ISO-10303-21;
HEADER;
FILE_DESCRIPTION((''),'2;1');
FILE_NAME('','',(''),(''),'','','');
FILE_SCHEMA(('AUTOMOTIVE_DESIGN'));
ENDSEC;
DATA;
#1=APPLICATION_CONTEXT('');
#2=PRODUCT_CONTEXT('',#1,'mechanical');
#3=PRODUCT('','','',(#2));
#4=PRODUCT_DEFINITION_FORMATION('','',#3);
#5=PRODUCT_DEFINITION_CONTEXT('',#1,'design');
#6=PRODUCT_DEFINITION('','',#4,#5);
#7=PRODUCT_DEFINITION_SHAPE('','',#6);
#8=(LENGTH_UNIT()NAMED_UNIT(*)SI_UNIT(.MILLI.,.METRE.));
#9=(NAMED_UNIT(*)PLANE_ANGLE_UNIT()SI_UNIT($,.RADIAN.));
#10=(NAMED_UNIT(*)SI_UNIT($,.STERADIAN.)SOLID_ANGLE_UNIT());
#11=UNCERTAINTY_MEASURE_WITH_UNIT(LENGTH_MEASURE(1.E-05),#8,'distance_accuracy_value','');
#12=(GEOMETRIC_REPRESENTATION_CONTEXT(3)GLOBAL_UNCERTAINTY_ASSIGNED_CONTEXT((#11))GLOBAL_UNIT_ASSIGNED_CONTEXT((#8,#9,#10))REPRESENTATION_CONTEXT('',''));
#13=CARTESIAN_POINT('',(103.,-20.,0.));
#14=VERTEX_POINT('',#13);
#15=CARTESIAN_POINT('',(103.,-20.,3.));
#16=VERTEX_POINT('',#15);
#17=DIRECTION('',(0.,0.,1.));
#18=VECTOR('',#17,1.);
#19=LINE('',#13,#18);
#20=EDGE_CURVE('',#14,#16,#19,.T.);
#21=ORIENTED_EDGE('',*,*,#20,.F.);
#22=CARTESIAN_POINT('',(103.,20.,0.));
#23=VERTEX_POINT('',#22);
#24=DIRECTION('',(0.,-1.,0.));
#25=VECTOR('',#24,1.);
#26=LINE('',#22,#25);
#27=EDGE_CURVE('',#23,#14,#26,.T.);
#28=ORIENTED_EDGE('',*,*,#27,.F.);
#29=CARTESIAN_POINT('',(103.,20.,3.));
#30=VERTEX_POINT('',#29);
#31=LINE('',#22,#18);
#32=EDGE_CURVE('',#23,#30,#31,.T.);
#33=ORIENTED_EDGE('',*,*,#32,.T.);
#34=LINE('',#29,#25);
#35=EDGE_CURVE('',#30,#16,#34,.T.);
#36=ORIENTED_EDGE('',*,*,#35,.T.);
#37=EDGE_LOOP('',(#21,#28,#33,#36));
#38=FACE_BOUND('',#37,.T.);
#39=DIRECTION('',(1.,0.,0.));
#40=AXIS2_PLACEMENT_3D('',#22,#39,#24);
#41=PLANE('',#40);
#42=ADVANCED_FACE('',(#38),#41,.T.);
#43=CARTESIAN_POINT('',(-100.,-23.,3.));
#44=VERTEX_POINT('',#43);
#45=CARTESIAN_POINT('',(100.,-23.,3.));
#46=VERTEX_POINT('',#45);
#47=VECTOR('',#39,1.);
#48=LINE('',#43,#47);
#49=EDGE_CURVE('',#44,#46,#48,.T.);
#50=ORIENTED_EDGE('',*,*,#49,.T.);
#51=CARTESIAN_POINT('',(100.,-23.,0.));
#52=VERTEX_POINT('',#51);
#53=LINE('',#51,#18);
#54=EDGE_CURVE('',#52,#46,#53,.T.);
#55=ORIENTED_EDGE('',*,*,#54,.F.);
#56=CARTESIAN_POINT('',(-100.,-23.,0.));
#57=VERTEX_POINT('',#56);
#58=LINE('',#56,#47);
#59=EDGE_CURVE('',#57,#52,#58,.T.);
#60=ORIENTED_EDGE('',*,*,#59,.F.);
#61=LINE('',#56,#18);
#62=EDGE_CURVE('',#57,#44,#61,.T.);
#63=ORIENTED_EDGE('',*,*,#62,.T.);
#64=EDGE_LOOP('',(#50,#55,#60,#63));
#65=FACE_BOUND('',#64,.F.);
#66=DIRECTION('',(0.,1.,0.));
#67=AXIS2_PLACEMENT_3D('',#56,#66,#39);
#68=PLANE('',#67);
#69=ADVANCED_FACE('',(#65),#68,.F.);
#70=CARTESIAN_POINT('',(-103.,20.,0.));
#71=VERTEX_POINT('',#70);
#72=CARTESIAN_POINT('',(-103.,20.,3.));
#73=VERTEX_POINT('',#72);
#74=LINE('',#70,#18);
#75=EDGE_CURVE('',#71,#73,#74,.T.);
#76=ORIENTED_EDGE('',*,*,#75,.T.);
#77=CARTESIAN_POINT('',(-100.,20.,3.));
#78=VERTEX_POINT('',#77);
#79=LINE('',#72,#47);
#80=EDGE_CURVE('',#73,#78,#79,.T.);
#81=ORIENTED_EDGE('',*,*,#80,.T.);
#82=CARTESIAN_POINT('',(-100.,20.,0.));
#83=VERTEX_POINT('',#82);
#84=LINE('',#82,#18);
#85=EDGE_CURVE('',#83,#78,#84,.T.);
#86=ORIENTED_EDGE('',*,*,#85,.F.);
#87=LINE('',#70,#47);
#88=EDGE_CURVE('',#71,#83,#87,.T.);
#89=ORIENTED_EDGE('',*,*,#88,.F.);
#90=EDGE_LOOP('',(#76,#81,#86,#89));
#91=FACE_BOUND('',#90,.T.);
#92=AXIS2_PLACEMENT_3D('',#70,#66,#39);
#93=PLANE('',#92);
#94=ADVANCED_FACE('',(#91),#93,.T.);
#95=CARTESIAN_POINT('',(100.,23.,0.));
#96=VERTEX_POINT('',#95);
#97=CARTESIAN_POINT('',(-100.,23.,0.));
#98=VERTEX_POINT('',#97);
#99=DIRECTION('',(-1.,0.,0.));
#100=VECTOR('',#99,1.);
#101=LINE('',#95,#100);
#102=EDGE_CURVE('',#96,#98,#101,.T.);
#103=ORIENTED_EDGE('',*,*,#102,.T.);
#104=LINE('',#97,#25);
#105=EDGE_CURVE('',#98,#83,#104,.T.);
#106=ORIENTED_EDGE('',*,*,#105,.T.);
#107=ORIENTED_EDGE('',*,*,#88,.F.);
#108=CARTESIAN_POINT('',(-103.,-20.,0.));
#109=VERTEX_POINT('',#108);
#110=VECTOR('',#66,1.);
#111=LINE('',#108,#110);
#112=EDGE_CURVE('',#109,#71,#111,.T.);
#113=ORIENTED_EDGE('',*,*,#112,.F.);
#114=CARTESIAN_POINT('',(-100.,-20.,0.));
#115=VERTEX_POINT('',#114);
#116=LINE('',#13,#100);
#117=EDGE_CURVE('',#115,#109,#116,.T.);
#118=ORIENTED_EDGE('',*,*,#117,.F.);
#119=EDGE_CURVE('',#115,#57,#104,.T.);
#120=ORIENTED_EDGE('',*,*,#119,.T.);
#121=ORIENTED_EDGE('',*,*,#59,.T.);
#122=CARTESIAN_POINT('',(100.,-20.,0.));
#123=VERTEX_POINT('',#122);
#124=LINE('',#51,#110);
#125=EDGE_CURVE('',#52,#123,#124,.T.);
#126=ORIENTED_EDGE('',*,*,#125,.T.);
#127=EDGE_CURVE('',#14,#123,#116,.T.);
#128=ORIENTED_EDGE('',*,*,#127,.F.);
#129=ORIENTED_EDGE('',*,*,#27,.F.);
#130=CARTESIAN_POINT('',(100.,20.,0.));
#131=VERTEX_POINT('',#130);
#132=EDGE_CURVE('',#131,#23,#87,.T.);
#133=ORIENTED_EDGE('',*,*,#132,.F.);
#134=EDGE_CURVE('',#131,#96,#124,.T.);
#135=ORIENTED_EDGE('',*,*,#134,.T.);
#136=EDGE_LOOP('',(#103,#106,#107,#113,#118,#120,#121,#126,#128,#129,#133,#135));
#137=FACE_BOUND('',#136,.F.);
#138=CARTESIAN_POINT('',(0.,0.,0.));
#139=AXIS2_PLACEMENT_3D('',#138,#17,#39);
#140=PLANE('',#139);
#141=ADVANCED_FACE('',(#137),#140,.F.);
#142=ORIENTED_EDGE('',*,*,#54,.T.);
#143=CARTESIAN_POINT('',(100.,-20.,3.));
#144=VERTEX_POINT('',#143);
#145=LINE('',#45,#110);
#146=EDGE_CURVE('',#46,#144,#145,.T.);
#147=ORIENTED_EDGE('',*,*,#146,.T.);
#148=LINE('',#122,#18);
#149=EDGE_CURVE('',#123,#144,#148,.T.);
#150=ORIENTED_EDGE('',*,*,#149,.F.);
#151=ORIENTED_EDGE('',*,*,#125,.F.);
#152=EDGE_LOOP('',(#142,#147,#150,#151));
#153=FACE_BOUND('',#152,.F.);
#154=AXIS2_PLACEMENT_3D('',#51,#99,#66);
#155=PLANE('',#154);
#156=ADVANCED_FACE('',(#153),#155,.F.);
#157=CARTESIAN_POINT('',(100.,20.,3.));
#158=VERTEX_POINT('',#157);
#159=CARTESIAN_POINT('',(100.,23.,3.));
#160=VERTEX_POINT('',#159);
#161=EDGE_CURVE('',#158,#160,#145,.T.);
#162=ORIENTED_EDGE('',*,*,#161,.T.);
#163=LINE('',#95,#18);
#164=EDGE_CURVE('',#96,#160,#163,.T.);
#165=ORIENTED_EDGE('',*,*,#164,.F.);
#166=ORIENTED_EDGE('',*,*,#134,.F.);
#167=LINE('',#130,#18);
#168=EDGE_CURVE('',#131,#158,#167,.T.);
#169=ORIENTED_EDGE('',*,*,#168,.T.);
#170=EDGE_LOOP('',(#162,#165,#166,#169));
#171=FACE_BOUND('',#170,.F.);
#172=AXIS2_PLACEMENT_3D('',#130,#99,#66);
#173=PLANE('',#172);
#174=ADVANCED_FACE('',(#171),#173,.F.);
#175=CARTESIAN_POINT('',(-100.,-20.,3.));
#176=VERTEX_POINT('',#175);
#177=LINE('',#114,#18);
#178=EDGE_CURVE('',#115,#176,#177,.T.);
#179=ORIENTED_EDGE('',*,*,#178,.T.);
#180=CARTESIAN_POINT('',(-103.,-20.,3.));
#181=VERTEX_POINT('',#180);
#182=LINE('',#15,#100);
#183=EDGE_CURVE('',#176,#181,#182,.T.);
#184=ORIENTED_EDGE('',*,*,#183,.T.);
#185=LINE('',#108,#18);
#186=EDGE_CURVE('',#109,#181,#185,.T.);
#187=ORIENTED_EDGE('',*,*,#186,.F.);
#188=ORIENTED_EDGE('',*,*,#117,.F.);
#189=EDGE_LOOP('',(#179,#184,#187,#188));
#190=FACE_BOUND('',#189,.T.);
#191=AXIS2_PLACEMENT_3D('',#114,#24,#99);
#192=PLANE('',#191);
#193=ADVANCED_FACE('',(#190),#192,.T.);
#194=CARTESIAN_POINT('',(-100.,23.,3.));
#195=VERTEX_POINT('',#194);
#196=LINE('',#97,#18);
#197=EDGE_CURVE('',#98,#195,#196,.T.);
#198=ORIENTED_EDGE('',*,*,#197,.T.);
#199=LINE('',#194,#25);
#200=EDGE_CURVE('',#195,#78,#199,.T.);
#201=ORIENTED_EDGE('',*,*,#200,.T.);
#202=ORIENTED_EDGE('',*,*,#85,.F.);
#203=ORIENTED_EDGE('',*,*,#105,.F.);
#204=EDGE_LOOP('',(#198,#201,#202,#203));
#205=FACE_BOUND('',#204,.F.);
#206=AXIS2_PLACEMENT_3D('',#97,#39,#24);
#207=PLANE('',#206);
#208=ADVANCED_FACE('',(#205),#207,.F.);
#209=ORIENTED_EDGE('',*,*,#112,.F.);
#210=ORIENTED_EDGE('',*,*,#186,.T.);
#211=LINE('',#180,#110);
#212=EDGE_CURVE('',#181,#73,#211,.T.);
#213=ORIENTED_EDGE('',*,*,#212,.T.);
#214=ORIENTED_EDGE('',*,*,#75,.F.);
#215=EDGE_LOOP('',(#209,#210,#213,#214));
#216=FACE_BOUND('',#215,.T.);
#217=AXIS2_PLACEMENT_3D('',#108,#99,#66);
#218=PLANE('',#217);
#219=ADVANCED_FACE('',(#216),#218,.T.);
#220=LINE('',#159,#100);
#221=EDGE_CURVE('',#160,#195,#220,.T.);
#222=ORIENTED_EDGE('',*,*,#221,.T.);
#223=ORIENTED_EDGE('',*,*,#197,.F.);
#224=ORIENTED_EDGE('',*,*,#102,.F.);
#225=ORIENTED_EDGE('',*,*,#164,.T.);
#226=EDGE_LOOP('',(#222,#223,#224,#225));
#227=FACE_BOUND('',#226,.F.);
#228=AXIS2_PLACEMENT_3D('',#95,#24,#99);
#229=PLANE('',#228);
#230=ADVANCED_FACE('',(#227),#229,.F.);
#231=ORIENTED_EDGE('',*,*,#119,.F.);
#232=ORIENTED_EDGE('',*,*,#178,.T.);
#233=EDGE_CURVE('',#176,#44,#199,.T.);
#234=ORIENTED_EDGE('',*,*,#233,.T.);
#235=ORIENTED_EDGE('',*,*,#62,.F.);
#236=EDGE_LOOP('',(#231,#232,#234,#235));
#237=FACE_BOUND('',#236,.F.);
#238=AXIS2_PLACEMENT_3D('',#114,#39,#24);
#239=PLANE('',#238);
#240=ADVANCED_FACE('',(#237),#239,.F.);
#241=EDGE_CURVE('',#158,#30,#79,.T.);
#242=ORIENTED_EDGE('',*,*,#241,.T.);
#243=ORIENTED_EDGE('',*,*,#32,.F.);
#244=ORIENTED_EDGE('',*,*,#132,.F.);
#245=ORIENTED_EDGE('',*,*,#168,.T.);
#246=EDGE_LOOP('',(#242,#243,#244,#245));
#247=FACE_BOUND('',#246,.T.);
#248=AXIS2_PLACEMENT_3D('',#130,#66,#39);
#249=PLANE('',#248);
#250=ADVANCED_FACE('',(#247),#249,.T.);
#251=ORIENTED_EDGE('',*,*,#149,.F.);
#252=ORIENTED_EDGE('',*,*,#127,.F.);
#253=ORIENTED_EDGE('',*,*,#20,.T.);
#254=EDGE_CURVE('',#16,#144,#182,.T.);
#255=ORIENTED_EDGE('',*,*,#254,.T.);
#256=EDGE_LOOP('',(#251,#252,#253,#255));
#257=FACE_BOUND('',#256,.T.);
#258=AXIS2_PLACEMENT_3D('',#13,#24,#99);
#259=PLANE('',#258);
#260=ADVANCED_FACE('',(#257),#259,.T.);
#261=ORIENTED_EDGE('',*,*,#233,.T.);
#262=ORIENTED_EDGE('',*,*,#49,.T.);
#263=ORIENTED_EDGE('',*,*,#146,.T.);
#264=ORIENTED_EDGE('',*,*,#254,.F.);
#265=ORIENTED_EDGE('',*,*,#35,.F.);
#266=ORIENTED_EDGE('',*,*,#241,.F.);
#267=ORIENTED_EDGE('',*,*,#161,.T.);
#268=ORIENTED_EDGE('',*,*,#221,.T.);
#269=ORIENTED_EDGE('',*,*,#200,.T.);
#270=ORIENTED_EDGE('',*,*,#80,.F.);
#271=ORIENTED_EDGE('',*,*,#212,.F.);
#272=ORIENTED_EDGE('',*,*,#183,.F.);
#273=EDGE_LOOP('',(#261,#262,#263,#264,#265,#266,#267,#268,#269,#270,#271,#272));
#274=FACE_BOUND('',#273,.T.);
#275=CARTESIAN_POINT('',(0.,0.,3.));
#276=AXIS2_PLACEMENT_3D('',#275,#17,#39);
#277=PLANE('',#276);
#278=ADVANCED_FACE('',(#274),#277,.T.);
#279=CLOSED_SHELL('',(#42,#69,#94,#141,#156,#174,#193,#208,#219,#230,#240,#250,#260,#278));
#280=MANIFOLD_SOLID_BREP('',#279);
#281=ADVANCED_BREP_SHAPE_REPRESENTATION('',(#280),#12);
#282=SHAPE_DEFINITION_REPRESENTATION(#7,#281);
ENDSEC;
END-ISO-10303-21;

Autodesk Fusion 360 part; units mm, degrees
sketch "Esquisse1" plane through (0, 0, 0) normal (0, 0, 1) x (1, 0, 0)
  line L0 (100, 23) -> (-100, 23)
  line L1 (-100, 23) -> (-100, -23)
  line L2 (-100, -23) -> (100, -23)
  line L3 (100, -23) -> (100, 23)
  line L4 (100, 23) -> (-100, -23) construction
  line L5 (-100, 23) -> (100, -23) construction
  line L6 (103, -20) -> (-103, -20)
  line L7 (-103, -20) -> (-103, 20)
  line L8 (-103, 20) -> (103, 20)
  line L9 (103, 20) -> (103, -20)
  line L10 (103, -20) -> (-103, 20) construction
  line L11 (-103, -20) -> (103, 20) construction
  dimension "d1" = 200
  dimension "d2" = 206
  dimension "d3" = 40
  dimension "d4" = 46
extrude "Extrusion1" add sketch "Esquisse1" along normal blind 3
equation "d4 = d3 + ( 2 * 3 ) * 1 mm"
equation "Transfo_notch_larg_Ref = 1.6 mm" comment "epaisseur des encoches du transfo"
equation "Trasnfo_notch_long_Ref = 4 mm" comment "Longueurs des encoches du transfo"
equation "Transfo_Dist_Larg_2_notchs_Ref = 11.9 mm" comment "Distance entre deux encoches (largeur)"
equation "Transfo_Dist_Long_2_nothcs_Ref = 39 mm - ( 2 * 1.6 ) * 1 mm" comment "Distance (longueur) entre deux encoches"
equation "Transfo_Hole_Diam_Ref = 3.7 mm" comment "Diamètre des trous du transfo"
equation "Transfo_Dist_2_Hole_Ref = 16.7 mm" comment "Distance entre les centres des trous du transfo"
equation "Transfo_Dist_Notch_Hole_Ref = 69.2 mm" comment "Distance (minimal) entre les encoches et les trous"
